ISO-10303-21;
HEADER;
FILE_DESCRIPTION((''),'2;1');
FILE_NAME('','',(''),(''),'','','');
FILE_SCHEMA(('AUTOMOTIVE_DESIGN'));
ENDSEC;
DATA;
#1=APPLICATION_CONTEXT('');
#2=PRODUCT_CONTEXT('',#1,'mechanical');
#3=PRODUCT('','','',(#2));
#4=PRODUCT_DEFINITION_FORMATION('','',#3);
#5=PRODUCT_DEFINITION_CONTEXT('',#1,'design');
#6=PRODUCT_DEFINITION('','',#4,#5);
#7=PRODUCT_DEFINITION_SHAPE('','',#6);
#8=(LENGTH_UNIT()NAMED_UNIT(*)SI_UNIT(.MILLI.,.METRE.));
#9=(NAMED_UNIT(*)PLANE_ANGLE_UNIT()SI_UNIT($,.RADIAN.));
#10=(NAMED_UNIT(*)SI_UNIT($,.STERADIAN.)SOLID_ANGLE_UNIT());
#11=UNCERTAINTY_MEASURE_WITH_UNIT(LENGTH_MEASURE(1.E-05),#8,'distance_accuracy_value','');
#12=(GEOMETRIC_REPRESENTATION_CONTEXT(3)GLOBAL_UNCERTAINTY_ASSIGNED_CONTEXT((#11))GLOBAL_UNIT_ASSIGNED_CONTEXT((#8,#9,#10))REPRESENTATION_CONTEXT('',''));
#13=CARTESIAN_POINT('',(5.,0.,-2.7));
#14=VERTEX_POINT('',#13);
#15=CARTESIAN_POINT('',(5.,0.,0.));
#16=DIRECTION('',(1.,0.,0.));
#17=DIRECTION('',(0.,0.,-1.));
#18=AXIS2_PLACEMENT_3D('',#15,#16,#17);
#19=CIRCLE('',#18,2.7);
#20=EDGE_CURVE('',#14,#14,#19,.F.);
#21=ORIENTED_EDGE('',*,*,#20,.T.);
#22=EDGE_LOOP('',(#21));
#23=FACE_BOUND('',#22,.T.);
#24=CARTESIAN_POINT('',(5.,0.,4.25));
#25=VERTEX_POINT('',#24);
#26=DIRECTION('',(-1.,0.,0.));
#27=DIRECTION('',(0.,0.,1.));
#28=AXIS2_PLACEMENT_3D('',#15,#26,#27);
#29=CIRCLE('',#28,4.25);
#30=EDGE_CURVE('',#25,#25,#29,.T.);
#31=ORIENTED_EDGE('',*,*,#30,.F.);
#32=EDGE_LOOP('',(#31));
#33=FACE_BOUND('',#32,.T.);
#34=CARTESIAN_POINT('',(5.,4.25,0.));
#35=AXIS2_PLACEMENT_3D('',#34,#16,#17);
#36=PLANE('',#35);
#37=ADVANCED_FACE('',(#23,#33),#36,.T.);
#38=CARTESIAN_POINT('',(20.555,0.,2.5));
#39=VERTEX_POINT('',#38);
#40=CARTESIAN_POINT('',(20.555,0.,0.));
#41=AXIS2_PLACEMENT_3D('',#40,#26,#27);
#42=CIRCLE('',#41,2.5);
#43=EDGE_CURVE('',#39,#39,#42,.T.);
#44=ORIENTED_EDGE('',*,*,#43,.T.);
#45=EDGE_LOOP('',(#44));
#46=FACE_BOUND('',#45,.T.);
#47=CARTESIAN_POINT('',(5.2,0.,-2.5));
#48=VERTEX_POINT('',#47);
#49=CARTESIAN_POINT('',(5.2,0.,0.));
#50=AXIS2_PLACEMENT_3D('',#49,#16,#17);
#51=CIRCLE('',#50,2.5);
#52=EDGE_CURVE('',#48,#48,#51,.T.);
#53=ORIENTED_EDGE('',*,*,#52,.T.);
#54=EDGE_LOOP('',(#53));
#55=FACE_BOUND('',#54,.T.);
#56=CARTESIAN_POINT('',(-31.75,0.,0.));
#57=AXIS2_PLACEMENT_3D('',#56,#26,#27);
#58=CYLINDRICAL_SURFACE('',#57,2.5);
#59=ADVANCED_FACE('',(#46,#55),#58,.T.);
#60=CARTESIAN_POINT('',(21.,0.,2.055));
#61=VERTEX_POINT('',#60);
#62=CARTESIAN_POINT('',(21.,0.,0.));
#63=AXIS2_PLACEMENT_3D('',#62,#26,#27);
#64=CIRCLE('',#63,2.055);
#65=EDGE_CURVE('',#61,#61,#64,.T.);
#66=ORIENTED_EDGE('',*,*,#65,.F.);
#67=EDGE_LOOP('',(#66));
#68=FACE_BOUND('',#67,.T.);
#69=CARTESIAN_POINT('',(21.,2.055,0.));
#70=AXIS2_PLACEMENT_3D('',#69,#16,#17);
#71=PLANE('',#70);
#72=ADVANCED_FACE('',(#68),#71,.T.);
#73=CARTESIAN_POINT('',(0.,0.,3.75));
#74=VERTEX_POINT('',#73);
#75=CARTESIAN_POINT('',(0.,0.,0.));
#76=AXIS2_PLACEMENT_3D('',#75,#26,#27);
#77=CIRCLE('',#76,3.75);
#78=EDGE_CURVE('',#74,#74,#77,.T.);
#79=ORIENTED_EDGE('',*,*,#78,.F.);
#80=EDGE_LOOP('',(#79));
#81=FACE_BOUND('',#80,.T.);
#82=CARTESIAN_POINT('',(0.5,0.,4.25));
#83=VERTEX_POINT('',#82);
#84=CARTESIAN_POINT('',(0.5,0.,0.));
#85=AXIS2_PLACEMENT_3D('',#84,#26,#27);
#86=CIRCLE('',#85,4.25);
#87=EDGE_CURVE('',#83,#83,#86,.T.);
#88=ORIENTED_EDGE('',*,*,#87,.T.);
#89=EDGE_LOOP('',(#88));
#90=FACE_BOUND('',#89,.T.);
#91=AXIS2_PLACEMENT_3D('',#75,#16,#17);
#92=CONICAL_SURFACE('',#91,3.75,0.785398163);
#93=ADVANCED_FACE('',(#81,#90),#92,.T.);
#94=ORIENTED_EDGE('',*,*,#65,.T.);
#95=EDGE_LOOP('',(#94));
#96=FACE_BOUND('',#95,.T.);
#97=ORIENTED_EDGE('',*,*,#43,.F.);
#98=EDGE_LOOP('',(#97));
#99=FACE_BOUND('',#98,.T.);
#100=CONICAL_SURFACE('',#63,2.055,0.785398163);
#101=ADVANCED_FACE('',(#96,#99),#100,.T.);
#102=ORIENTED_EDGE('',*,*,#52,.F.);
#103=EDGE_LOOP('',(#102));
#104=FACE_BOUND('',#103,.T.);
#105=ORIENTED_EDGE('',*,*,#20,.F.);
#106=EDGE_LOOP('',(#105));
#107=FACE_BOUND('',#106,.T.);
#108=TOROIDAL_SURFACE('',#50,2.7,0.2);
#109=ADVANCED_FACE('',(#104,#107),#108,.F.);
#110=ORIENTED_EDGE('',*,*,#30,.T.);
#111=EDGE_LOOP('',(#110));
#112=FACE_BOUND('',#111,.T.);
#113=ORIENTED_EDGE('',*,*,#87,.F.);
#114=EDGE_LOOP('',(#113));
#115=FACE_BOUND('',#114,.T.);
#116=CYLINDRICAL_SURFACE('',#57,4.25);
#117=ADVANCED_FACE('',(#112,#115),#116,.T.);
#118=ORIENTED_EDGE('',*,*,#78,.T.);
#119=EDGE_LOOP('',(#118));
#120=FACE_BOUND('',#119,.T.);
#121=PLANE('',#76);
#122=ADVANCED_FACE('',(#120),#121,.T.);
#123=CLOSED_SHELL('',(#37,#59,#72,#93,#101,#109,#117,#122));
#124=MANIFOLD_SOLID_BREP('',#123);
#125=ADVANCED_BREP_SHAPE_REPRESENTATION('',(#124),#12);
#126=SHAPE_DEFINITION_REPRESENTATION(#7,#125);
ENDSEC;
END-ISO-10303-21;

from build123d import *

# Parameters (mm, degrees)
FILLET1_R = 0.2


with BuildPart() as part:
    # BodySke → Base-Revolve (revolve)
    with BuildSketch(Plane.XY):
        Polygon((0, 0), (0, 3.75), (0.5, 4.25), (5, 4.25), (5, 2.5), (20.555, 2.5), (21, 2.055), (21, 0), align=None)
    revolve(axis=Axis((-31.75, 0, 0), (1, 0, 0)))

    # Fillet1
    fillet1_edges = [part.edges().sort_by_distance(p)[0] for p in [
        (5, -2.5, 0),
    ]]
    fillet(fillet1_edges, radius=FILLET1_R)


solid = part.part
